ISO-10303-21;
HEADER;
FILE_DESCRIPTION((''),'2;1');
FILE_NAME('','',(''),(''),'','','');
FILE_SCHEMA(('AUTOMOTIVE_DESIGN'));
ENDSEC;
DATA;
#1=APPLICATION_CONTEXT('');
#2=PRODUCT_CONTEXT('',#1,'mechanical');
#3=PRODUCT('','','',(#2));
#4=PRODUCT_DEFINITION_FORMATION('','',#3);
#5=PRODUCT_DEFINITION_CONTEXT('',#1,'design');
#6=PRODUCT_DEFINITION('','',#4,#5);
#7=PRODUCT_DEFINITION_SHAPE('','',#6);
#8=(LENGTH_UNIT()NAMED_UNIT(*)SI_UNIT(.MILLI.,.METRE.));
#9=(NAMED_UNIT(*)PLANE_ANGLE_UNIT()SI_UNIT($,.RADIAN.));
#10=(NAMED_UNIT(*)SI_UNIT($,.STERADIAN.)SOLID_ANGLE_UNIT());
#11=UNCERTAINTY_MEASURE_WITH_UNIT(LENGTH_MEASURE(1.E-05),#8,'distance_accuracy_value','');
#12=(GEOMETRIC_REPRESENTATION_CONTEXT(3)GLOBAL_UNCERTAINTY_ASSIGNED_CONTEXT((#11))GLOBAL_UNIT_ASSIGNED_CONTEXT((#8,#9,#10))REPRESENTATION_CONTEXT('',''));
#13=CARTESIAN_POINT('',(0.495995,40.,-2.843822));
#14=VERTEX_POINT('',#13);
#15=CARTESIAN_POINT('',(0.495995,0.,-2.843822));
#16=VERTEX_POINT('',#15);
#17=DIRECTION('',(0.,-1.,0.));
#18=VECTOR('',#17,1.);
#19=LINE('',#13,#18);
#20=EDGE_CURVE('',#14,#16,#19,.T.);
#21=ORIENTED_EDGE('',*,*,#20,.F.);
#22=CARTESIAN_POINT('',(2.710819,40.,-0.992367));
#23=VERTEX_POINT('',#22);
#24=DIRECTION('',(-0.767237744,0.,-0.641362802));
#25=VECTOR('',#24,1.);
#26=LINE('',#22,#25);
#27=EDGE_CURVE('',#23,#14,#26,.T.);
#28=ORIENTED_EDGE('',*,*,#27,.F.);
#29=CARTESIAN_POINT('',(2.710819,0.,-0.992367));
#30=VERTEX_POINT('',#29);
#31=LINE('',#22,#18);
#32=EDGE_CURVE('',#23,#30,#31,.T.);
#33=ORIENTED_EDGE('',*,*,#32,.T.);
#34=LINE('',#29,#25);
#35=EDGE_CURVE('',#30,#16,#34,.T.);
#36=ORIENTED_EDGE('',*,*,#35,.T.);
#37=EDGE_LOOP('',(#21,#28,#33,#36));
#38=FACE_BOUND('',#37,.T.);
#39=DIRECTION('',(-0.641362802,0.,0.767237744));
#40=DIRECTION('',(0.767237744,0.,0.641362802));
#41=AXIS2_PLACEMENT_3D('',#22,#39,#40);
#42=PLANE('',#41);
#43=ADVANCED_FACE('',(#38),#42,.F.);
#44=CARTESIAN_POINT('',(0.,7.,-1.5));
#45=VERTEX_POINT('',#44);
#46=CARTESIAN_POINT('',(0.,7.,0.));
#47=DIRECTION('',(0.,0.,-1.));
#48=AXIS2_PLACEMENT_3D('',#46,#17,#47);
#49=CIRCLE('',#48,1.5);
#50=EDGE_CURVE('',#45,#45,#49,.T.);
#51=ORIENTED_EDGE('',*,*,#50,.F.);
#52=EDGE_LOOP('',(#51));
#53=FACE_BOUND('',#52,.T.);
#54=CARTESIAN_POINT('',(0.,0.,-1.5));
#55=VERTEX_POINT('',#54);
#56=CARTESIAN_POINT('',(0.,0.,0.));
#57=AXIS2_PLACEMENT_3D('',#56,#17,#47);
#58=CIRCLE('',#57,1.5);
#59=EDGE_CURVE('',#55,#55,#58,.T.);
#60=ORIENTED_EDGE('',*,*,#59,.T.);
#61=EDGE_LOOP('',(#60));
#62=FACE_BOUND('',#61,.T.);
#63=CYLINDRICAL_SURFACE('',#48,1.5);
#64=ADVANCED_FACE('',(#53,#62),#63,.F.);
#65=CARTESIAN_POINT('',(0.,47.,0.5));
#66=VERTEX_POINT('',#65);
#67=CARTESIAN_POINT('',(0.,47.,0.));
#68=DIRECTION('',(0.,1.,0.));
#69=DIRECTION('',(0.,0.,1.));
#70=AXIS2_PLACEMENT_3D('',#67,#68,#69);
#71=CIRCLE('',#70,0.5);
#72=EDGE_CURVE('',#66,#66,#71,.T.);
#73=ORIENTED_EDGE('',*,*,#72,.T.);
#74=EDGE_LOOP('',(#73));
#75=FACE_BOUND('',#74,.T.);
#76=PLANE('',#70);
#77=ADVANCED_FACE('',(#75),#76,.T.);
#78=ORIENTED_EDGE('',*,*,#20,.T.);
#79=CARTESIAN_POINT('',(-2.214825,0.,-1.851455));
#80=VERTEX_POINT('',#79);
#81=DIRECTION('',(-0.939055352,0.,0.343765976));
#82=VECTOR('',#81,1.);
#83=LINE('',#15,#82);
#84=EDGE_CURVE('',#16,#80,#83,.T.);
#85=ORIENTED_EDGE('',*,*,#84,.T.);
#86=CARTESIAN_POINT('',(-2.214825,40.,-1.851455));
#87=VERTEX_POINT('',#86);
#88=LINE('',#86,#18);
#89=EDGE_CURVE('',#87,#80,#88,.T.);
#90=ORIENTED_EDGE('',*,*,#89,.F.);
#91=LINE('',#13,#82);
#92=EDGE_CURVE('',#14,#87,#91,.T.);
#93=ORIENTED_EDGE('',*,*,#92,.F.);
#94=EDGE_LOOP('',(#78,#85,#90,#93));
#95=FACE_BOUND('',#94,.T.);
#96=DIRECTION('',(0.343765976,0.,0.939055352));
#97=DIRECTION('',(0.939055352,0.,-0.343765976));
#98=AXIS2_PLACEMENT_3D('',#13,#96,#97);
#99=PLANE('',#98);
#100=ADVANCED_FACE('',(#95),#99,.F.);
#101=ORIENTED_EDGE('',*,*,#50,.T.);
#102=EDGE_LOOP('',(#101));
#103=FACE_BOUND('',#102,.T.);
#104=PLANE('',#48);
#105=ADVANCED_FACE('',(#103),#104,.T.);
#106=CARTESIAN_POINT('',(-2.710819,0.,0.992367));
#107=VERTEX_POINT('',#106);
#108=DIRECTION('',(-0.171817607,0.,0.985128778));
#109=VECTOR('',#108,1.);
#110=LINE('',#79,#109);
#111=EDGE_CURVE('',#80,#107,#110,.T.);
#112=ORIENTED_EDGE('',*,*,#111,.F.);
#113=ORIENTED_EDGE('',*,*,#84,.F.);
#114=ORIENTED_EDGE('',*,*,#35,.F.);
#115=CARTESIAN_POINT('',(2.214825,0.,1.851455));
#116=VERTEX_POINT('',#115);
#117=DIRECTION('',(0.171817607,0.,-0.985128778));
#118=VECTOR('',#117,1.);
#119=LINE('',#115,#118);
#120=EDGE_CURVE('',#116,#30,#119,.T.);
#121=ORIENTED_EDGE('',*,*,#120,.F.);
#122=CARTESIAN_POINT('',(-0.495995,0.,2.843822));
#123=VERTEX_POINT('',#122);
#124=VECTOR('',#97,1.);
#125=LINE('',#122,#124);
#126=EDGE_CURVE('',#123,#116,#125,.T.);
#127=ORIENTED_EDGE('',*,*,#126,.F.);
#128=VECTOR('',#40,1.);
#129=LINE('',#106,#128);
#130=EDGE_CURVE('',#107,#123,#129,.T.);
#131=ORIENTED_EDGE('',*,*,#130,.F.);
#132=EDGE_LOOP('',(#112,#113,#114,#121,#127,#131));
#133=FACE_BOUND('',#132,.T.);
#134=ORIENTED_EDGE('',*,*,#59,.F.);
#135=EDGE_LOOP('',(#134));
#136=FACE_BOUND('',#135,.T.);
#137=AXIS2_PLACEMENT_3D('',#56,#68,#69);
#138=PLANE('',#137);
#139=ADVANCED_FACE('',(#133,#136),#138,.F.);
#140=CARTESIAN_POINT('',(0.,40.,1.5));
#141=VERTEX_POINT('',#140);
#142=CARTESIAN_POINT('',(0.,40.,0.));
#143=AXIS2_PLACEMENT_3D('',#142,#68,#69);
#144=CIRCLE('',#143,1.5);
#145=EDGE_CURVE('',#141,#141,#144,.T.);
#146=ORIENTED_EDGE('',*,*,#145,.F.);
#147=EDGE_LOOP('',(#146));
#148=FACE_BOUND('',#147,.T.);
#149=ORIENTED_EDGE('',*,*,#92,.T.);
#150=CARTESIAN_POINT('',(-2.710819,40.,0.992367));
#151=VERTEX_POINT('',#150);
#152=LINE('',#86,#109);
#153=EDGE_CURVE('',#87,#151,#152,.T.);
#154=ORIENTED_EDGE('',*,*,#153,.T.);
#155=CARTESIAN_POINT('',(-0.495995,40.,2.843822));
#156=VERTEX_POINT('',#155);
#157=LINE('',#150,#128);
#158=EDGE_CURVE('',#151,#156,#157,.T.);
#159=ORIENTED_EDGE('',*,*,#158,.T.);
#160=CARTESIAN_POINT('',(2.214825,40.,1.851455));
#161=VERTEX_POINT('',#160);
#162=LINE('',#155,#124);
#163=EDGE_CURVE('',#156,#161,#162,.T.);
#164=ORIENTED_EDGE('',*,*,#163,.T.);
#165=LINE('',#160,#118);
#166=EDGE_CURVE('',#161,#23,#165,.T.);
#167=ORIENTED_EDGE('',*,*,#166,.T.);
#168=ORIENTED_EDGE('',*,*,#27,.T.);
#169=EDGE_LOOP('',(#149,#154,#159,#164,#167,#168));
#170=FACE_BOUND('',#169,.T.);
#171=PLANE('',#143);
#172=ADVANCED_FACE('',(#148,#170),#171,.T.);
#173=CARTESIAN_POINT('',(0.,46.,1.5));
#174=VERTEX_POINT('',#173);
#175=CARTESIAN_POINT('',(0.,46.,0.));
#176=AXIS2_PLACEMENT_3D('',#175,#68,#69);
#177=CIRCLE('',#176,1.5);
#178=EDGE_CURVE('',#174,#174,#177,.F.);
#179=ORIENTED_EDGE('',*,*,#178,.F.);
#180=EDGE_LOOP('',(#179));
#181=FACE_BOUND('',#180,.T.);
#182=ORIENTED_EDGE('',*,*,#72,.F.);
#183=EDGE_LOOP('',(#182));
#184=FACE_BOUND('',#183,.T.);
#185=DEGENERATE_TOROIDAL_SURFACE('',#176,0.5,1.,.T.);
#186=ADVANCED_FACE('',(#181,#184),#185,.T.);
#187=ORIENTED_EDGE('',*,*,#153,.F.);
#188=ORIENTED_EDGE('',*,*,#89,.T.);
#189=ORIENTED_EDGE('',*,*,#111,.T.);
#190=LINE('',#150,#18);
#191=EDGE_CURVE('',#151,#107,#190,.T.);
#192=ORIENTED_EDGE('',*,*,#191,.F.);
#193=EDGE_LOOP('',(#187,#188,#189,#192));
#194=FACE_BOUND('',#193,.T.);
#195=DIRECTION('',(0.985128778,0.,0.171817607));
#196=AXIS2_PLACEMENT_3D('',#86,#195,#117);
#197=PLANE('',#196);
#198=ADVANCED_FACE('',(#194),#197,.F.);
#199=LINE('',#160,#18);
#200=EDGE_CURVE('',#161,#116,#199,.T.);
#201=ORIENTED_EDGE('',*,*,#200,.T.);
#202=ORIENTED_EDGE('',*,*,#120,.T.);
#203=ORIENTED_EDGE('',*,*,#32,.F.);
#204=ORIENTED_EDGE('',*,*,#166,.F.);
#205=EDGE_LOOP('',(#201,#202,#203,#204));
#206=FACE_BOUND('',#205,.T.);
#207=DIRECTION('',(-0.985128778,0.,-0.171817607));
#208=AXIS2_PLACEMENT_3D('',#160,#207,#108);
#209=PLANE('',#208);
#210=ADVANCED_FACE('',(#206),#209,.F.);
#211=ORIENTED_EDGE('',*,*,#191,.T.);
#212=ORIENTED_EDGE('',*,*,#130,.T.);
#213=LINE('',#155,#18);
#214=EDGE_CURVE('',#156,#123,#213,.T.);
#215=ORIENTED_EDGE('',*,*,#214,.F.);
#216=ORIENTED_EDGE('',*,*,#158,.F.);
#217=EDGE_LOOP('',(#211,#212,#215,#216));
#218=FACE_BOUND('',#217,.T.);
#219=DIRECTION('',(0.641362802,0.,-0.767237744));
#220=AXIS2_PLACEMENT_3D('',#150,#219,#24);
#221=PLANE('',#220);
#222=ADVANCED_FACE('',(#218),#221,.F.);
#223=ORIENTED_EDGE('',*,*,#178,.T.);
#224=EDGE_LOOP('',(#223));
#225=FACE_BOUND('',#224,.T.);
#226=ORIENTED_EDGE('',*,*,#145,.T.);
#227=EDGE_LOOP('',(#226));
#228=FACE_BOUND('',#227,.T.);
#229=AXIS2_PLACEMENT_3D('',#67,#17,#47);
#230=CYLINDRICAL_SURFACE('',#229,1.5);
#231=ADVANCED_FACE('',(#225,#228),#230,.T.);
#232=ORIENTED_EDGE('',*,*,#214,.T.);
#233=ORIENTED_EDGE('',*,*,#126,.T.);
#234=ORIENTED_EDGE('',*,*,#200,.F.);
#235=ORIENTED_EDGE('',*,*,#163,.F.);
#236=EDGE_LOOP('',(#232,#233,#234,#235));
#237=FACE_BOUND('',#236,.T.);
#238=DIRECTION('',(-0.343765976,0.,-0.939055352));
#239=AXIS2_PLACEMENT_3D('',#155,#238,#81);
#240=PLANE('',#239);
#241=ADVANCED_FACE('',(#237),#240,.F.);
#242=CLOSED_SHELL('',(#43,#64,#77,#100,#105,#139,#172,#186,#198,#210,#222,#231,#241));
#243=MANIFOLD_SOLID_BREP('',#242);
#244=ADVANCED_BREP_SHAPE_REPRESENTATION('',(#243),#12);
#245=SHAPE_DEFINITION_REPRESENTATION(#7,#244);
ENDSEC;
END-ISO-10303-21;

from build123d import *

# Parameters (mm, degrees)
BOSS_EXTRUDE1_DEPTH = 40
SKETCH2_R           = 1.5
BOSS_EXTRUDE2_DEPTH = 7
SKETCH3_R           = 1.5
CUT_EXTRUDE1_DEPTH  = 7
FILLET1_R           = 1


with BuildPart() as part:
    # Sketch1 → Boss-Extrude1 (new body)
    with BuildSketch(Plane(origin=(0, 0, 0), x_dir=(1, 0, 0), z_dir=(0, 1, 0))):
        Polygon((2.214824591, -1.851454932), (2.7108193, 0.992366895), (0.495994709, 2.843821827), (-2.214824591, 1.851454932), (-2.7108193, -0.992366895), (-0.495994709, -2.843821827), align=None)
    extrude(amount=BOSS_EXTRUDE1_DEPTH)

    # Sketch2 → Boss-Extrude2 (add)
    with BuildSketch(Plane(origin=(0, 40, 0), x_dir=(1, 0, 0), z_dir=(0, 1, 0))):
        Circle(SKETCH2_R)
    extrude(amount=BOSS_EXTRUDE2_DEPTH)

    # Sketch3 → Cut-Extrude1 (cut)
    with BuildSketch(Plane.XZ):
        Circle(SKETCH3_R)
    extrude(amount=-CUT_EXTRUDE1_DEPTH, mode=Mode.SUBTRACT)

    # Fillet1
    fillet1_edges = [part.edges().sort_by_distance(p)[0] for p in [
        (-1.5, 47, 0),
    ]]
    fillet(fillet1_edges, radius=FILLET1_R)


solid = part.part
